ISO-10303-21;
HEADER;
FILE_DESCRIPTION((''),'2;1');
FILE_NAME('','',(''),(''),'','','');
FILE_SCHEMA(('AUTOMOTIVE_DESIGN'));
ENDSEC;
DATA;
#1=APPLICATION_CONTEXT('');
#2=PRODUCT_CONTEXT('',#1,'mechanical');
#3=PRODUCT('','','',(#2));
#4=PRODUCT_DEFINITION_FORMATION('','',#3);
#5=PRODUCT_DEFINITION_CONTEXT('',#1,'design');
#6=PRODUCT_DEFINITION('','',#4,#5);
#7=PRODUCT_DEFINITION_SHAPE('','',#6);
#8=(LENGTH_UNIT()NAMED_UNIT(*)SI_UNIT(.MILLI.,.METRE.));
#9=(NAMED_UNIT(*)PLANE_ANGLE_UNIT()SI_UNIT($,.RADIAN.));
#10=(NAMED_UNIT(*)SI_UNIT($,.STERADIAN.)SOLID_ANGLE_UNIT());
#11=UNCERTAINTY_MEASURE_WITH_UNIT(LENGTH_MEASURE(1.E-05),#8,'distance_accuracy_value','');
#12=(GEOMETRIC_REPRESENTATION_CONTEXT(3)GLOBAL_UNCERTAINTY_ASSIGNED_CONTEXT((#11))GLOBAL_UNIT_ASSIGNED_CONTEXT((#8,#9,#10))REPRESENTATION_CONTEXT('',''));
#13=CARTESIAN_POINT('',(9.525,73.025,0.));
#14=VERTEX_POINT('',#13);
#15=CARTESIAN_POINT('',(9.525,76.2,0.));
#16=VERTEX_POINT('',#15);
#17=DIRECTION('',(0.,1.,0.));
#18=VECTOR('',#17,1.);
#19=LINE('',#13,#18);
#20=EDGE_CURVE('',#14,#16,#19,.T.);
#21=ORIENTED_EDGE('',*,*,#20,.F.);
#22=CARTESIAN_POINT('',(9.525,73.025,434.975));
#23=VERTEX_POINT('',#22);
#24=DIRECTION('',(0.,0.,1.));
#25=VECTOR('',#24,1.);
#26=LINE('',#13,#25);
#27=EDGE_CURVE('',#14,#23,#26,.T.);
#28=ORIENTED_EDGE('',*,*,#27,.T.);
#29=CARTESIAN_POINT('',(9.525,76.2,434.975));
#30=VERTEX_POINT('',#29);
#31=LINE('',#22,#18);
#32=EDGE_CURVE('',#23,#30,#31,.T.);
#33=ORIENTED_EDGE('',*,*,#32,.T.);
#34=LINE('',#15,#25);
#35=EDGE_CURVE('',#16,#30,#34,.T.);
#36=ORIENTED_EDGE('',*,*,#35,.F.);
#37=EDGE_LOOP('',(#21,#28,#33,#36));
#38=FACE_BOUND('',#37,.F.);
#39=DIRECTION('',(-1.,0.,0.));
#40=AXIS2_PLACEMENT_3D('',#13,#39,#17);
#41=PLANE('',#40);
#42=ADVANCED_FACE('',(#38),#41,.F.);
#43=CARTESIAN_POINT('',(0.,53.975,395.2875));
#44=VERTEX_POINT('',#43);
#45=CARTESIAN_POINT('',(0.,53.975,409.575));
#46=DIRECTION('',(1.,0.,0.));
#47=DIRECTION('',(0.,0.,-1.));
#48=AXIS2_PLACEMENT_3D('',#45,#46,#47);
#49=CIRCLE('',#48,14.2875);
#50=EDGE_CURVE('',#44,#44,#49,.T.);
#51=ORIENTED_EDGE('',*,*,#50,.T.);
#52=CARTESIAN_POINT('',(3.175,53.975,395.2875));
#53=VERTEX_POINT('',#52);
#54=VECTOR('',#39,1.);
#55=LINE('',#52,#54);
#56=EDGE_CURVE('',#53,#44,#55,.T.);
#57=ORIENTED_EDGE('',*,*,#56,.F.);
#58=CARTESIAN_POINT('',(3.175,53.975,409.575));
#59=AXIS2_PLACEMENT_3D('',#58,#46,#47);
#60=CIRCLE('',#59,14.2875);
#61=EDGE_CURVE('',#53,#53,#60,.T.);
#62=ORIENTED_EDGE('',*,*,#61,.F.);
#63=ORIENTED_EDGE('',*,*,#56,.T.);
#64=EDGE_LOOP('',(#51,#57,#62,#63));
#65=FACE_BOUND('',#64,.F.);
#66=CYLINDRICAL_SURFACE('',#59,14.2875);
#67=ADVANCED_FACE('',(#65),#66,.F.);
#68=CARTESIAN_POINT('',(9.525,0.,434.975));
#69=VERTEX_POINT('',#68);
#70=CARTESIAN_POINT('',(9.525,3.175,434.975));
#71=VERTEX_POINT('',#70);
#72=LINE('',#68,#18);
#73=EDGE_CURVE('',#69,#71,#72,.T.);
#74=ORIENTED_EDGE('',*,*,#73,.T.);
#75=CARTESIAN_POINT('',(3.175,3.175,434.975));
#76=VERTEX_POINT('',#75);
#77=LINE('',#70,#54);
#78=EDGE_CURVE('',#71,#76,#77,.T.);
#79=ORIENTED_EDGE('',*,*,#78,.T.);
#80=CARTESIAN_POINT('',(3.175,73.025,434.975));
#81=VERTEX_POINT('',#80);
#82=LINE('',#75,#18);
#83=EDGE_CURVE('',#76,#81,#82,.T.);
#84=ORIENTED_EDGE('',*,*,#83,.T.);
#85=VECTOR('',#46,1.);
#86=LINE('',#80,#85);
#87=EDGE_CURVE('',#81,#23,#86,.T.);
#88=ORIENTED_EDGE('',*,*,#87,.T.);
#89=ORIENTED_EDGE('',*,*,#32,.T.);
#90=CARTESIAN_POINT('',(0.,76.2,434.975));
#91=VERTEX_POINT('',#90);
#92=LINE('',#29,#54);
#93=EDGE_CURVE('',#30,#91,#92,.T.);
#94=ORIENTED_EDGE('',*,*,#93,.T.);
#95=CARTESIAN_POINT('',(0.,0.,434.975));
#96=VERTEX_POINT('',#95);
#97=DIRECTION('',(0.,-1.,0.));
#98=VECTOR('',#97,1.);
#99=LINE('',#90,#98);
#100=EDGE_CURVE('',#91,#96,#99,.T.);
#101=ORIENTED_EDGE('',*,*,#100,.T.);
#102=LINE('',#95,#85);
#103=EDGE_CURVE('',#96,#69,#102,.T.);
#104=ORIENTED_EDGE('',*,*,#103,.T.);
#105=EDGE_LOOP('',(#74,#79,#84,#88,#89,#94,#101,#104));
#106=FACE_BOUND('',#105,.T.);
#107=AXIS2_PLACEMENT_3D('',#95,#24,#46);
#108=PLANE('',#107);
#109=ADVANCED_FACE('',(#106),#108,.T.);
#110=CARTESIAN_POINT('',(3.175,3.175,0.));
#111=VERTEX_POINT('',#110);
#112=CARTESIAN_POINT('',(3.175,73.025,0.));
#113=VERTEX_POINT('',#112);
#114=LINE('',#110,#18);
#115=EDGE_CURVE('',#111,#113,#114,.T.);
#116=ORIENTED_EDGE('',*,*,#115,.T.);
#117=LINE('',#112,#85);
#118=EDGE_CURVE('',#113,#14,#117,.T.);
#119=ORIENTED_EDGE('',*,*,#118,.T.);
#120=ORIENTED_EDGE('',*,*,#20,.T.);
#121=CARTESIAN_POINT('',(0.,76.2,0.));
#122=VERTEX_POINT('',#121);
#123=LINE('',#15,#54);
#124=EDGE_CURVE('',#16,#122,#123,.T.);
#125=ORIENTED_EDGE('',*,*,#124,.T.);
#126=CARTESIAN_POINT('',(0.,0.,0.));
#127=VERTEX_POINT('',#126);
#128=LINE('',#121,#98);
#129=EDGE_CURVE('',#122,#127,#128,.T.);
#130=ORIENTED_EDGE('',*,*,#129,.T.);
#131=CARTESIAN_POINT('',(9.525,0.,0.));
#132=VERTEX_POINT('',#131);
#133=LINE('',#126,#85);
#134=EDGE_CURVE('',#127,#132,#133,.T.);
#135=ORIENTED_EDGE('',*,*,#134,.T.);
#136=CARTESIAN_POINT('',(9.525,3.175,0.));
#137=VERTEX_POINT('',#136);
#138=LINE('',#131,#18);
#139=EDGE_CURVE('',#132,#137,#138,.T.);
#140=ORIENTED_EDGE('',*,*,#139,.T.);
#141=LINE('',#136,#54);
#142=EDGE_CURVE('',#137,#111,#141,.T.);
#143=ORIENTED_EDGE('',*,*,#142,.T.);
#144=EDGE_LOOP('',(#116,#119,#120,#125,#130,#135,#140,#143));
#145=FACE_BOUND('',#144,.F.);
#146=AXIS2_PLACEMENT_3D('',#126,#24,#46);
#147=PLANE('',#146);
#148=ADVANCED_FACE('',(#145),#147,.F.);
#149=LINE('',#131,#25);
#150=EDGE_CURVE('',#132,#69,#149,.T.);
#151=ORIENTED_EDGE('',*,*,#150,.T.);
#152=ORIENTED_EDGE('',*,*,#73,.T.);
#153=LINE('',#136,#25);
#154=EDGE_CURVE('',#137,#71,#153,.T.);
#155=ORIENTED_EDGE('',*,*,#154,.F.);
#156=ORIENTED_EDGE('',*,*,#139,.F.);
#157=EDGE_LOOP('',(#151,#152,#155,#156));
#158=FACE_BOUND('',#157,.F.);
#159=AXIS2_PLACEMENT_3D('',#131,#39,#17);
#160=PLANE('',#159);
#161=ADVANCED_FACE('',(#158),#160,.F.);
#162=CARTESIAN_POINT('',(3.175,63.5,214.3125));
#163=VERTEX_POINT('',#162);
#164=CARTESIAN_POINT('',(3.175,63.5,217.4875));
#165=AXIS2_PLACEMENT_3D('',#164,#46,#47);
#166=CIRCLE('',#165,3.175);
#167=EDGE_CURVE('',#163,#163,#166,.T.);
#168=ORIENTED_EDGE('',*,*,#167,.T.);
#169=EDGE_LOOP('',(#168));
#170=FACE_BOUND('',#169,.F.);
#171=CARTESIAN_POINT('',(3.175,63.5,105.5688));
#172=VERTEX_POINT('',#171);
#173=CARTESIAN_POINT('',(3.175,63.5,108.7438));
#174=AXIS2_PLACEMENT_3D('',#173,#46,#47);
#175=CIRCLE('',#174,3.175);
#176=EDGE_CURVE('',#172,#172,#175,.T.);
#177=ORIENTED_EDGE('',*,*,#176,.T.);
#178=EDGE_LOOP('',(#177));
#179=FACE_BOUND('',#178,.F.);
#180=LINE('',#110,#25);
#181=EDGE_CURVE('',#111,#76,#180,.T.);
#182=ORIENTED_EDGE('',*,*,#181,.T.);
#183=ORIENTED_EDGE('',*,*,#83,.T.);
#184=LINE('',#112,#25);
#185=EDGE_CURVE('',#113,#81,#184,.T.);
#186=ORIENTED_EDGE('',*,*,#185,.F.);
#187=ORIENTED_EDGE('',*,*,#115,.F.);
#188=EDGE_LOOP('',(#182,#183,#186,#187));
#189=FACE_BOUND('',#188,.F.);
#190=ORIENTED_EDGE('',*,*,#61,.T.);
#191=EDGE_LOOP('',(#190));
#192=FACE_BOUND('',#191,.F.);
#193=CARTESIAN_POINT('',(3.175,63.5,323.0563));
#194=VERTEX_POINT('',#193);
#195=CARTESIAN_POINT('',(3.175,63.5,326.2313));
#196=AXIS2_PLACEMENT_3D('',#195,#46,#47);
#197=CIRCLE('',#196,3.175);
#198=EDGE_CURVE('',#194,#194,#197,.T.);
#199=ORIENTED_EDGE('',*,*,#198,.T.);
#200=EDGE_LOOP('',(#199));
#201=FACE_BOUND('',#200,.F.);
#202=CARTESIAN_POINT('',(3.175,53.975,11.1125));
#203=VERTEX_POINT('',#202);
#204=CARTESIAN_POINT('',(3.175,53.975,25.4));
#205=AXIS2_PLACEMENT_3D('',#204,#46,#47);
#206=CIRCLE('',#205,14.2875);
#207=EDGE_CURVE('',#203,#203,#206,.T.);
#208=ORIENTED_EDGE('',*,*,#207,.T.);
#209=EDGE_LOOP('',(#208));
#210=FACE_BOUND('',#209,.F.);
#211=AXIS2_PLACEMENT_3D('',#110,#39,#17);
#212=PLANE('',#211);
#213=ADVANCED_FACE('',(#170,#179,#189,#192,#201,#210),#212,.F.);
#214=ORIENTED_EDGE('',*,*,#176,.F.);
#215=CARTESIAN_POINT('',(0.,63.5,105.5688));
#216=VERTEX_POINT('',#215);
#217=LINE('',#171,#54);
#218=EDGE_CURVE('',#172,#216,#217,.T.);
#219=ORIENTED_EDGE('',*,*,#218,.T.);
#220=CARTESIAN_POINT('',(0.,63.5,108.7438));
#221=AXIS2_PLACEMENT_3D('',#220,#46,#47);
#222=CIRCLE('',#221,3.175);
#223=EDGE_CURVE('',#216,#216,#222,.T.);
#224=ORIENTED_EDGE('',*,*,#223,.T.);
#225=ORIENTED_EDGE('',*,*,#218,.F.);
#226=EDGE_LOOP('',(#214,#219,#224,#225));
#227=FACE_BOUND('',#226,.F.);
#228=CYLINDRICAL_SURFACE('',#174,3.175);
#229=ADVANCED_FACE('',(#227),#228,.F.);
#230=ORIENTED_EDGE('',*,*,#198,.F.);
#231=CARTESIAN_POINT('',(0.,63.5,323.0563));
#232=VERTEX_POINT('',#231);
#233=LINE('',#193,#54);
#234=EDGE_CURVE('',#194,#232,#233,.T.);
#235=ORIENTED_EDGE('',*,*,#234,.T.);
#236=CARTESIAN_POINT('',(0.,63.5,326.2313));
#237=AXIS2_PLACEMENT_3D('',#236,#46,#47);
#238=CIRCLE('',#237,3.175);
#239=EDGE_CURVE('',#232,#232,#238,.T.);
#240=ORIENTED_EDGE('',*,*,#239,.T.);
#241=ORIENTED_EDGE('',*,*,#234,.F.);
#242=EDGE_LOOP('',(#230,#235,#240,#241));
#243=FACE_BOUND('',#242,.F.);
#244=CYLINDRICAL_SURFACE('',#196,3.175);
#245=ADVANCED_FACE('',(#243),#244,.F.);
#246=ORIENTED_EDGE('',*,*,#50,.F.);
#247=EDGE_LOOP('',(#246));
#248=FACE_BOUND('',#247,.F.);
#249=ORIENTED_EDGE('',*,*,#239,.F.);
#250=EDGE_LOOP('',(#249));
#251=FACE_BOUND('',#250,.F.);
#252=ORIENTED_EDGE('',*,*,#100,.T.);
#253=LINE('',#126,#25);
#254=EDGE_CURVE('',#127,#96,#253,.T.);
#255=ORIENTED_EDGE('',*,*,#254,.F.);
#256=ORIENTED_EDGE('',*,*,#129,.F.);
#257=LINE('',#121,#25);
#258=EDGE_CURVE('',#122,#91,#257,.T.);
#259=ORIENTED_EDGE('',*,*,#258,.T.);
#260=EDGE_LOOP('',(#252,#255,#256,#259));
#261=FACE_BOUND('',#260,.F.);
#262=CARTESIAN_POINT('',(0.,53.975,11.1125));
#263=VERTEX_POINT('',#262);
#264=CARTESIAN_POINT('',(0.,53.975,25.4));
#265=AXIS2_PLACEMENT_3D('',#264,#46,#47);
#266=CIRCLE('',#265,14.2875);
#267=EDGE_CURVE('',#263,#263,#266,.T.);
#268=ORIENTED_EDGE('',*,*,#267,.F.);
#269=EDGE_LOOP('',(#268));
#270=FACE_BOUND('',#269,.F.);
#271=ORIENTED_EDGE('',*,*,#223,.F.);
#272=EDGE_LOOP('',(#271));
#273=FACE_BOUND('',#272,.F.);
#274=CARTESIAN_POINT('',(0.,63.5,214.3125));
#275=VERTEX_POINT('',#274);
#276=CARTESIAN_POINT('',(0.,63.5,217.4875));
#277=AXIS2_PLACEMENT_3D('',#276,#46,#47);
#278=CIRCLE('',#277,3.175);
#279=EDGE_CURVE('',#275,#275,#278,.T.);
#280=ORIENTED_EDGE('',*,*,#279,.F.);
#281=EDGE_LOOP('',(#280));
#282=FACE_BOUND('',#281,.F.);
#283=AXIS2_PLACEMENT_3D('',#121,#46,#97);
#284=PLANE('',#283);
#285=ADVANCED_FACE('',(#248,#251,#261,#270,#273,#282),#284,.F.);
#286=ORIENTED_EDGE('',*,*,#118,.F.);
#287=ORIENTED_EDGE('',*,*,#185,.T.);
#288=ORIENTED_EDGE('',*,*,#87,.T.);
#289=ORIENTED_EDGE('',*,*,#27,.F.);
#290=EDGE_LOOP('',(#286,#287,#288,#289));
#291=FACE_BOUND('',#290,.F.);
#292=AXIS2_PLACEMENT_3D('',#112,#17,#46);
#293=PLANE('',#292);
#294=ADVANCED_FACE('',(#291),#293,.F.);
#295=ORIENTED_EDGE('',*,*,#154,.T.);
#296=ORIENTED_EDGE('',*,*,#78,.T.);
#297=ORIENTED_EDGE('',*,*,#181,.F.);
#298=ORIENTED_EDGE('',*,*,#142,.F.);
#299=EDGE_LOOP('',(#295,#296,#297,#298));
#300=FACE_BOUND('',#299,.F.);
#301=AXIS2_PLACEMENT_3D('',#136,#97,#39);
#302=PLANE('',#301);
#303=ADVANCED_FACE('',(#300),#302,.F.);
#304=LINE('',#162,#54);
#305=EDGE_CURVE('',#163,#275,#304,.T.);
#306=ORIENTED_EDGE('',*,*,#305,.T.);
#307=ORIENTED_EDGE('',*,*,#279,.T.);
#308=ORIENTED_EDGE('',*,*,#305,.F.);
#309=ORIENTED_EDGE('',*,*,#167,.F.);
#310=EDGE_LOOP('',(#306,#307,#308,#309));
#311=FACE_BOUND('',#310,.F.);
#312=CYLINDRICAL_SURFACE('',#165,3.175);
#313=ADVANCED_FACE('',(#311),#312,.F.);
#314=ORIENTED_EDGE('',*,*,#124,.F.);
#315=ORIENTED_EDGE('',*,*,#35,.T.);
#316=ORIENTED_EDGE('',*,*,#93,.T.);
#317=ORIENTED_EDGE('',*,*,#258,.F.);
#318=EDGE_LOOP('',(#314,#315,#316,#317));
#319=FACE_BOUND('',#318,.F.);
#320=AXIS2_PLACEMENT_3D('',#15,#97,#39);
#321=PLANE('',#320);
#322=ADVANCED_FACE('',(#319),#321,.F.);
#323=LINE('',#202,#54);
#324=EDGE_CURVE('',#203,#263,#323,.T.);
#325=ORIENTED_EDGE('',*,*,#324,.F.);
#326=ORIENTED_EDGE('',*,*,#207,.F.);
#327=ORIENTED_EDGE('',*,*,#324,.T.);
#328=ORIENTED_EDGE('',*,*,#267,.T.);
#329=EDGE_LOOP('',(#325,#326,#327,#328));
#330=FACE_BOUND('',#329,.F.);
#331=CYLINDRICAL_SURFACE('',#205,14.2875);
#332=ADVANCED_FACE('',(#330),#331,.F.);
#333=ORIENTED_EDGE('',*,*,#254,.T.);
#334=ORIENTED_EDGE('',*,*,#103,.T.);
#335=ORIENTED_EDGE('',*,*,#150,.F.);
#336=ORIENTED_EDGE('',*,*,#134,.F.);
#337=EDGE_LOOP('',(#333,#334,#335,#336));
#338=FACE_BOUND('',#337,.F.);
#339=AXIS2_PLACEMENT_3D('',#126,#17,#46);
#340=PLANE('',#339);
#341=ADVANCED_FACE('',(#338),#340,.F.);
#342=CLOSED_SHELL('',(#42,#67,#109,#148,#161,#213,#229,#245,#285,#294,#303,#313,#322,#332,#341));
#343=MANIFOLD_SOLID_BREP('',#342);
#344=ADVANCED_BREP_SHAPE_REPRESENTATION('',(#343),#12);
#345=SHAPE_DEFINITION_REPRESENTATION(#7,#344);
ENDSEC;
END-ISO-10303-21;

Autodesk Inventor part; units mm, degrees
ref_plane "YZ Plane" through (0, 0, 0) normal (1, 0, 0) x (0, 1, 0)
ref_plane "XZ Plane" through (0, 0, 0) normal (0, 1, 0) x (-1, 0, 0)
ref_plane "XY Plane" through (0, 0, 0) normal (0, 0, 1) x (1, 0, 0)
sketch "Sketch1" plane through (0, 0, 0) normal (0, 0, 1) x (1, 0, 0)
  line L0 (0, 0) -> (9.525, 0)
  line L1 (9.525, 76.2) -> (0, 76.2)
  line L2 (0, 76.2) -> (0, 0)
  line L3 (9.525, 3.175) -> (3.175, 3.175)
  line L4 (3.175, 3.175) -> (3.175, 73.025)
  line L5 (3.175, 73.025) -> (9.525, 73.025)
  line L6 (9.525, 0) -> (9.525, 3.175)
  line L7 (9.525, 73.025) -> (9.525, 76.2)
  dimension "d0" = 3.175
  dimension "d2" = 3.175
  dimension "d3" = 3.175
  dimension "d4" = 76.2
  dimension "d5" = 9.525
extrude "Extrusion1" add sketch "Sketch1" along normal blind 434.975
sketch "Sketch2" plane through (3.175, 3.175, 0) normal (1, 0, 0) x (0, 0, -1)
  line L0 (0, 0) -> (0, 69.85) projected
  line L1 (0, 73.025) -> (-434.975, 73.025) projected
  line L2 (0, -3.175) -> (-434.975, -3.175) projected
  line L3 (-434.975, 0) -> (-434.975, -3.175) projected
  line L4 (-434.975, 73.025) -> (-434.975, 69.85) projected
  line L5 (0, 69.85) -> (0, 73.025) projected
  line L6 (0, -3.175) -> (0, 0) projected
  circle A0 centre (-25.4, 50.8) radius 14.2875
  line L7 (-434.975, 69.85) -> (-434.975, 0) projected
  circle A1 centre (-409.575, 50.8) radius 14.2875
  circle A2 centre (-217.4875, 60.325) radius 3.175
  circle A3 centre (-326.2313, 60.325) radius 3.175
  circle A4 centre (-108.7438, 60.325) radius 3.175
  dimension "d8" = 28.575
  dimension "d10" = 53.975
  dimension "d11" = 25.4
  dimension "d14" = 25.4
  dimension "d15" = 53.975
  dimension "d16" = 28.575
  dimension "d17" = 6.35
  dimension "d18" = 12.7
  dimension "d19" = 217.4875
  dimension "d20" = 108.7438
  dimension "d21" = 108.7438
  dimension "d22" = 6.35
  dimension "d23" = 6.35
  dimension "d24" = 434.975
extrude "Extrusion2" cut sketch "Sketch2" against normal blind 508 contours A0 | A1 | A2 | A3 | A4
equation "\"d3\" = d2"
equation "\"d14\" = d11"
equation "\"d15\" = d10"
equation "\"d16\" = d8"
equation "\"d19\" = 0.5 * d24"
equation "\"d20\" = d21"
equation "\"d21\" = 0.5 * d19"
equation "\"d22\" = d17"
equation "\"d23\" = d17"
properties part number "uptake bearing plate"
